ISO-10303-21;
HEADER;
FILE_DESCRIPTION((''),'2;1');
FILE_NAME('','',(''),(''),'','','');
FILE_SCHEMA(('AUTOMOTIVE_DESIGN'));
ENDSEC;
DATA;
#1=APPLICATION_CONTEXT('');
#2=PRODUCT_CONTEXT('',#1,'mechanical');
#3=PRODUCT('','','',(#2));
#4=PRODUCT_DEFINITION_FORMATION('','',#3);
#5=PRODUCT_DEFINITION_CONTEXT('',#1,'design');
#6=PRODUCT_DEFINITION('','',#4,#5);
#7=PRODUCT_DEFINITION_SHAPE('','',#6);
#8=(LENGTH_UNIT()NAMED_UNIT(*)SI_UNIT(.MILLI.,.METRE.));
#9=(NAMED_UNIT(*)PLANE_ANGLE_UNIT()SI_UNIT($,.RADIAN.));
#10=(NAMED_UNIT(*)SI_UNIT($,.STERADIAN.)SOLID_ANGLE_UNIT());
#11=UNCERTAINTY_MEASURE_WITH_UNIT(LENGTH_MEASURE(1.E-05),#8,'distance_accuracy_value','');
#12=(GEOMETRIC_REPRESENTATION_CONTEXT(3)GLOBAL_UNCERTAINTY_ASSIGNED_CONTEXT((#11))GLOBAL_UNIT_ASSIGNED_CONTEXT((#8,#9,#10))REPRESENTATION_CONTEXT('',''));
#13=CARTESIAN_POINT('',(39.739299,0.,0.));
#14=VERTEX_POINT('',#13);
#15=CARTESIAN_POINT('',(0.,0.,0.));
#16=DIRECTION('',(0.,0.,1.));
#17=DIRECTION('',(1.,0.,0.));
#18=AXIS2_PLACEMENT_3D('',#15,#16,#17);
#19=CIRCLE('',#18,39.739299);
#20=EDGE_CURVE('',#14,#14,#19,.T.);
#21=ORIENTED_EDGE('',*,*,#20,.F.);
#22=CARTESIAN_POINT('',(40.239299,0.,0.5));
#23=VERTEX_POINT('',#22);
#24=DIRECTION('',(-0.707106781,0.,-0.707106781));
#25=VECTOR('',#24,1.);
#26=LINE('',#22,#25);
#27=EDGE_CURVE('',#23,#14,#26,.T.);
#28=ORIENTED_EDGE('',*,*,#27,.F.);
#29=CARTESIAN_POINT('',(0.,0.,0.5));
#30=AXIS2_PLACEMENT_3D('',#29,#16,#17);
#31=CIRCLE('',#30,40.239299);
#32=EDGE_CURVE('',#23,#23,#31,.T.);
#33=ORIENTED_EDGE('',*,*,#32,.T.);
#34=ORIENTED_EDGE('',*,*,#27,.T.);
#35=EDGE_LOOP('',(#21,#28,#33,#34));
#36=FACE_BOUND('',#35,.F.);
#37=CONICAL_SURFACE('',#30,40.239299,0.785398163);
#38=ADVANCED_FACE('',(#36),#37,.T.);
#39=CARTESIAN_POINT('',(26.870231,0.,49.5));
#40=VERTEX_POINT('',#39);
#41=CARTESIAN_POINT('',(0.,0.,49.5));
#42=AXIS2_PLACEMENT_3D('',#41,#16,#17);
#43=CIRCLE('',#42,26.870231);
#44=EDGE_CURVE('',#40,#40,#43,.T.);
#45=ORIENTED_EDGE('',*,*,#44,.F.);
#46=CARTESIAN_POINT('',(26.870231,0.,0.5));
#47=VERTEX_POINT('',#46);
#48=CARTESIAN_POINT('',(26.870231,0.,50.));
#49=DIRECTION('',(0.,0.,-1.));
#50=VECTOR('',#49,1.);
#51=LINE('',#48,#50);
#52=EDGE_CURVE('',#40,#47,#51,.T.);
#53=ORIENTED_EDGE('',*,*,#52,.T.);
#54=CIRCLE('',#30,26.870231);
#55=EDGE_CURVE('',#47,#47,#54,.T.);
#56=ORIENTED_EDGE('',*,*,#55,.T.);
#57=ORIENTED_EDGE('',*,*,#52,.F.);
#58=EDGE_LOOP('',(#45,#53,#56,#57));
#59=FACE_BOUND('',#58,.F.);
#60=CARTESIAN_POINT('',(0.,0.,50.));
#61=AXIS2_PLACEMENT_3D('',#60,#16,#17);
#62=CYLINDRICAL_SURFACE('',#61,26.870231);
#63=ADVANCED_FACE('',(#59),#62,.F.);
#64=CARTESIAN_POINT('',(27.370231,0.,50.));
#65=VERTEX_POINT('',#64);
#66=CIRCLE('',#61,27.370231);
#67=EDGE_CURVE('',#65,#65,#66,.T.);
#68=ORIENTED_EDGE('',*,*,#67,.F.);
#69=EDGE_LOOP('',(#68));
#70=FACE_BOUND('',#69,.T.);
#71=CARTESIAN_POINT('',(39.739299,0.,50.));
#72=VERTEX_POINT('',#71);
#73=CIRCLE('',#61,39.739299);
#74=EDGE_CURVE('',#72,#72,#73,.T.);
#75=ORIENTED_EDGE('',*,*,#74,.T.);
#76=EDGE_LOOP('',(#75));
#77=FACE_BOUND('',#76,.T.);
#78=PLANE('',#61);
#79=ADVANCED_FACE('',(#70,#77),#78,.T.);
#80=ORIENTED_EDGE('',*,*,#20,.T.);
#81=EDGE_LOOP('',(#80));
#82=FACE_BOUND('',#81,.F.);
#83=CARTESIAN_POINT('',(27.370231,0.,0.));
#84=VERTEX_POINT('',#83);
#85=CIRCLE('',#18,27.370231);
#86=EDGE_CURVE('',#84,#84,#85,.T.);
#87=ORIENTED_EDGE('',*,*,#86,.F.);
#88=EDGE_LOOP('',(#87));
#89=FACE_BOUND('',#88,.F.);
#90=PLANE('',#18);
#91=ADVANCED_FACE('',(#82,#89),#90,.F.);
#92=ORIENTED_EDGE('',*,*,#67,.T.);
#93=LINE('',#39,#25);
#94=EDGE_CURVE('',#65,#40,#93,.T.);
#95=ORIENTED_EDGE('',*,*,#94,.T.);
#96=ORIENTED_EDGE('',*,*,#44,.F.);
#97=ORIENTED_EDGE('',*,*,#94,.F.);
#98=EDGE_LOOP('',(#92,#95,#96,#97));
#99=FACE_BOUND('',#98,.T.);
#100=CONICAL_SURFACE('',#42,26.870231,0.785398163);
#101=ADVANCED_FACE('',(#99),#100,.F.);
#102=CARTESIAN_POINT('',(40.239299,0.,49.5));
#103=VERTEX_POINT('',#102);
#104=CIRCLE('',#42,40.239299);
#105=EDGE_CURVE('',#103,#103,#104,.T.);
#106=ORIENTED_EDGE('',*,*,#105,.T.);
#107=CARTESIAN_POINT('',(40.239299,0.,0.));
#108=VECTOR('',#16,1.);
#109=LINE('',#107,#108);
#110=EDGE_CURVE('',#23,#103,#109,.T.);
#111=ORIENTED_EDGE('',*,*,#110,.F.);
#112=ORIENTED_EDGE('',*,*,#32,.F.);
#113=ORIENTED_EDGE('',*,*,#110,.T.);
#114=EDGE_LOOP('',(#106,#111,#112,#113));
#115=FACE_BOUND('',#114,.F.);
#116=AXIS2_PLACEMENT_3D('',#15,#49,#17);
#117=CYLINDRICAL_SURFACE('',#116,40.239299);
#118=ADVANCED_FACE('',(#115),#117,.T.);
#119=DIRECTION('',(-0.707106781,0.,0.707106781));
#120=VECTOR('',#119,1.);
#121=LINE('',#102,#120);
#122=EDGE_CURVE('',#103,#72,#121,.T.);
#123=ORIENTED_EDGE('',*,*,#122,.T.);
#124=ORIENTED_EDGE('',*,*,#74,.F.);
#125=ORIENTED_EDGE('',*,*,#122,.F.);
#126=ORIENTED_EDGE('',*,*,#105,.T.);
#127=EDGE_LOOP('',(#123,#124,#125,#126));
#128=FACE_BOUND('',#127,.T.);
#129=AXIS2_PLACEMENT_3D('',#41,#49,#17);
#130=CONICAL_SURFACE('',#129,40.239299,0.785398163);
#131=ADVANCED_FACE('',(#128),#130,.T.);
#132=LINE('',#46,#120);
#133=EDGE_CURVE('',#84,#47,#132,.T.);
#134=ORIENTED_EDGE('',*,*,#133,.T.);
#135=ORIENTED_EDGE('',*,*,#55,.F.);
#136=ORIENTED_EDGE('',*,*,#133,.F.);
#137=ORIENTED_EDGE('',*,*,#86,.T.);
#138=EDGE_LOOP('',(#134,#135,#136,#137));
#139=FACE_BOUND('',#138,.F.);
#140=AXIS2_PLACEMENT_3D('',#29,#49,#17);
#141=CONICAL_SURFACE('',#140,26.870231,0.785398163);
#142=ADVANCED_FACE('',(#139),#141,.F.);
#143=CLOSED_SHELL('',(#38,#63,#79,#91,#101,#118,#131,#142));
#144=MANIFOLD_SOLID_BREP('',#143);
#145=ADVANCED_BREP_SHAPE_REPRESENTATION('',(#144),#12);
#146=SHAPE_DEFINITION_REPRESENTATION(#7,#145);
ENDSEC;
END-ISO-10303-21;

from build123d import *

# Parameters (mm, degrees)
F0_R     = 40.239299
F1_DEPTH = 50
F2_R     = 26.870231
F3_DEPTH = 62
F4_SIZE  = 0.5


with BuildPart() as f1:
    # F0 (on Top) → F1 (new body)
    with BuildSketch(Plane.XY):
        Circle(F0_R)
    extrude(amount=F1_DEPTH)

    # F2 (on face) → F3 (cut)
    with BuildSketch(Plane.XY.offset(50)):
        Circle(F2_R)
    extrude(amount=-F3_DEPTH, mode=Mode.SUBTRACT)

    # F4
    f4_edges = [f1.edges().sort_by_distance(p)[0] for p in [
        (-40.239299, 0, 50),
        (-26.870231, 0, 50),
        (-40.239299, 0, 0),
        (-26.870231, 0, 0),
    ]]
    chamfer(f4_edges, length=F4_SIZE)


solid = f1.part
